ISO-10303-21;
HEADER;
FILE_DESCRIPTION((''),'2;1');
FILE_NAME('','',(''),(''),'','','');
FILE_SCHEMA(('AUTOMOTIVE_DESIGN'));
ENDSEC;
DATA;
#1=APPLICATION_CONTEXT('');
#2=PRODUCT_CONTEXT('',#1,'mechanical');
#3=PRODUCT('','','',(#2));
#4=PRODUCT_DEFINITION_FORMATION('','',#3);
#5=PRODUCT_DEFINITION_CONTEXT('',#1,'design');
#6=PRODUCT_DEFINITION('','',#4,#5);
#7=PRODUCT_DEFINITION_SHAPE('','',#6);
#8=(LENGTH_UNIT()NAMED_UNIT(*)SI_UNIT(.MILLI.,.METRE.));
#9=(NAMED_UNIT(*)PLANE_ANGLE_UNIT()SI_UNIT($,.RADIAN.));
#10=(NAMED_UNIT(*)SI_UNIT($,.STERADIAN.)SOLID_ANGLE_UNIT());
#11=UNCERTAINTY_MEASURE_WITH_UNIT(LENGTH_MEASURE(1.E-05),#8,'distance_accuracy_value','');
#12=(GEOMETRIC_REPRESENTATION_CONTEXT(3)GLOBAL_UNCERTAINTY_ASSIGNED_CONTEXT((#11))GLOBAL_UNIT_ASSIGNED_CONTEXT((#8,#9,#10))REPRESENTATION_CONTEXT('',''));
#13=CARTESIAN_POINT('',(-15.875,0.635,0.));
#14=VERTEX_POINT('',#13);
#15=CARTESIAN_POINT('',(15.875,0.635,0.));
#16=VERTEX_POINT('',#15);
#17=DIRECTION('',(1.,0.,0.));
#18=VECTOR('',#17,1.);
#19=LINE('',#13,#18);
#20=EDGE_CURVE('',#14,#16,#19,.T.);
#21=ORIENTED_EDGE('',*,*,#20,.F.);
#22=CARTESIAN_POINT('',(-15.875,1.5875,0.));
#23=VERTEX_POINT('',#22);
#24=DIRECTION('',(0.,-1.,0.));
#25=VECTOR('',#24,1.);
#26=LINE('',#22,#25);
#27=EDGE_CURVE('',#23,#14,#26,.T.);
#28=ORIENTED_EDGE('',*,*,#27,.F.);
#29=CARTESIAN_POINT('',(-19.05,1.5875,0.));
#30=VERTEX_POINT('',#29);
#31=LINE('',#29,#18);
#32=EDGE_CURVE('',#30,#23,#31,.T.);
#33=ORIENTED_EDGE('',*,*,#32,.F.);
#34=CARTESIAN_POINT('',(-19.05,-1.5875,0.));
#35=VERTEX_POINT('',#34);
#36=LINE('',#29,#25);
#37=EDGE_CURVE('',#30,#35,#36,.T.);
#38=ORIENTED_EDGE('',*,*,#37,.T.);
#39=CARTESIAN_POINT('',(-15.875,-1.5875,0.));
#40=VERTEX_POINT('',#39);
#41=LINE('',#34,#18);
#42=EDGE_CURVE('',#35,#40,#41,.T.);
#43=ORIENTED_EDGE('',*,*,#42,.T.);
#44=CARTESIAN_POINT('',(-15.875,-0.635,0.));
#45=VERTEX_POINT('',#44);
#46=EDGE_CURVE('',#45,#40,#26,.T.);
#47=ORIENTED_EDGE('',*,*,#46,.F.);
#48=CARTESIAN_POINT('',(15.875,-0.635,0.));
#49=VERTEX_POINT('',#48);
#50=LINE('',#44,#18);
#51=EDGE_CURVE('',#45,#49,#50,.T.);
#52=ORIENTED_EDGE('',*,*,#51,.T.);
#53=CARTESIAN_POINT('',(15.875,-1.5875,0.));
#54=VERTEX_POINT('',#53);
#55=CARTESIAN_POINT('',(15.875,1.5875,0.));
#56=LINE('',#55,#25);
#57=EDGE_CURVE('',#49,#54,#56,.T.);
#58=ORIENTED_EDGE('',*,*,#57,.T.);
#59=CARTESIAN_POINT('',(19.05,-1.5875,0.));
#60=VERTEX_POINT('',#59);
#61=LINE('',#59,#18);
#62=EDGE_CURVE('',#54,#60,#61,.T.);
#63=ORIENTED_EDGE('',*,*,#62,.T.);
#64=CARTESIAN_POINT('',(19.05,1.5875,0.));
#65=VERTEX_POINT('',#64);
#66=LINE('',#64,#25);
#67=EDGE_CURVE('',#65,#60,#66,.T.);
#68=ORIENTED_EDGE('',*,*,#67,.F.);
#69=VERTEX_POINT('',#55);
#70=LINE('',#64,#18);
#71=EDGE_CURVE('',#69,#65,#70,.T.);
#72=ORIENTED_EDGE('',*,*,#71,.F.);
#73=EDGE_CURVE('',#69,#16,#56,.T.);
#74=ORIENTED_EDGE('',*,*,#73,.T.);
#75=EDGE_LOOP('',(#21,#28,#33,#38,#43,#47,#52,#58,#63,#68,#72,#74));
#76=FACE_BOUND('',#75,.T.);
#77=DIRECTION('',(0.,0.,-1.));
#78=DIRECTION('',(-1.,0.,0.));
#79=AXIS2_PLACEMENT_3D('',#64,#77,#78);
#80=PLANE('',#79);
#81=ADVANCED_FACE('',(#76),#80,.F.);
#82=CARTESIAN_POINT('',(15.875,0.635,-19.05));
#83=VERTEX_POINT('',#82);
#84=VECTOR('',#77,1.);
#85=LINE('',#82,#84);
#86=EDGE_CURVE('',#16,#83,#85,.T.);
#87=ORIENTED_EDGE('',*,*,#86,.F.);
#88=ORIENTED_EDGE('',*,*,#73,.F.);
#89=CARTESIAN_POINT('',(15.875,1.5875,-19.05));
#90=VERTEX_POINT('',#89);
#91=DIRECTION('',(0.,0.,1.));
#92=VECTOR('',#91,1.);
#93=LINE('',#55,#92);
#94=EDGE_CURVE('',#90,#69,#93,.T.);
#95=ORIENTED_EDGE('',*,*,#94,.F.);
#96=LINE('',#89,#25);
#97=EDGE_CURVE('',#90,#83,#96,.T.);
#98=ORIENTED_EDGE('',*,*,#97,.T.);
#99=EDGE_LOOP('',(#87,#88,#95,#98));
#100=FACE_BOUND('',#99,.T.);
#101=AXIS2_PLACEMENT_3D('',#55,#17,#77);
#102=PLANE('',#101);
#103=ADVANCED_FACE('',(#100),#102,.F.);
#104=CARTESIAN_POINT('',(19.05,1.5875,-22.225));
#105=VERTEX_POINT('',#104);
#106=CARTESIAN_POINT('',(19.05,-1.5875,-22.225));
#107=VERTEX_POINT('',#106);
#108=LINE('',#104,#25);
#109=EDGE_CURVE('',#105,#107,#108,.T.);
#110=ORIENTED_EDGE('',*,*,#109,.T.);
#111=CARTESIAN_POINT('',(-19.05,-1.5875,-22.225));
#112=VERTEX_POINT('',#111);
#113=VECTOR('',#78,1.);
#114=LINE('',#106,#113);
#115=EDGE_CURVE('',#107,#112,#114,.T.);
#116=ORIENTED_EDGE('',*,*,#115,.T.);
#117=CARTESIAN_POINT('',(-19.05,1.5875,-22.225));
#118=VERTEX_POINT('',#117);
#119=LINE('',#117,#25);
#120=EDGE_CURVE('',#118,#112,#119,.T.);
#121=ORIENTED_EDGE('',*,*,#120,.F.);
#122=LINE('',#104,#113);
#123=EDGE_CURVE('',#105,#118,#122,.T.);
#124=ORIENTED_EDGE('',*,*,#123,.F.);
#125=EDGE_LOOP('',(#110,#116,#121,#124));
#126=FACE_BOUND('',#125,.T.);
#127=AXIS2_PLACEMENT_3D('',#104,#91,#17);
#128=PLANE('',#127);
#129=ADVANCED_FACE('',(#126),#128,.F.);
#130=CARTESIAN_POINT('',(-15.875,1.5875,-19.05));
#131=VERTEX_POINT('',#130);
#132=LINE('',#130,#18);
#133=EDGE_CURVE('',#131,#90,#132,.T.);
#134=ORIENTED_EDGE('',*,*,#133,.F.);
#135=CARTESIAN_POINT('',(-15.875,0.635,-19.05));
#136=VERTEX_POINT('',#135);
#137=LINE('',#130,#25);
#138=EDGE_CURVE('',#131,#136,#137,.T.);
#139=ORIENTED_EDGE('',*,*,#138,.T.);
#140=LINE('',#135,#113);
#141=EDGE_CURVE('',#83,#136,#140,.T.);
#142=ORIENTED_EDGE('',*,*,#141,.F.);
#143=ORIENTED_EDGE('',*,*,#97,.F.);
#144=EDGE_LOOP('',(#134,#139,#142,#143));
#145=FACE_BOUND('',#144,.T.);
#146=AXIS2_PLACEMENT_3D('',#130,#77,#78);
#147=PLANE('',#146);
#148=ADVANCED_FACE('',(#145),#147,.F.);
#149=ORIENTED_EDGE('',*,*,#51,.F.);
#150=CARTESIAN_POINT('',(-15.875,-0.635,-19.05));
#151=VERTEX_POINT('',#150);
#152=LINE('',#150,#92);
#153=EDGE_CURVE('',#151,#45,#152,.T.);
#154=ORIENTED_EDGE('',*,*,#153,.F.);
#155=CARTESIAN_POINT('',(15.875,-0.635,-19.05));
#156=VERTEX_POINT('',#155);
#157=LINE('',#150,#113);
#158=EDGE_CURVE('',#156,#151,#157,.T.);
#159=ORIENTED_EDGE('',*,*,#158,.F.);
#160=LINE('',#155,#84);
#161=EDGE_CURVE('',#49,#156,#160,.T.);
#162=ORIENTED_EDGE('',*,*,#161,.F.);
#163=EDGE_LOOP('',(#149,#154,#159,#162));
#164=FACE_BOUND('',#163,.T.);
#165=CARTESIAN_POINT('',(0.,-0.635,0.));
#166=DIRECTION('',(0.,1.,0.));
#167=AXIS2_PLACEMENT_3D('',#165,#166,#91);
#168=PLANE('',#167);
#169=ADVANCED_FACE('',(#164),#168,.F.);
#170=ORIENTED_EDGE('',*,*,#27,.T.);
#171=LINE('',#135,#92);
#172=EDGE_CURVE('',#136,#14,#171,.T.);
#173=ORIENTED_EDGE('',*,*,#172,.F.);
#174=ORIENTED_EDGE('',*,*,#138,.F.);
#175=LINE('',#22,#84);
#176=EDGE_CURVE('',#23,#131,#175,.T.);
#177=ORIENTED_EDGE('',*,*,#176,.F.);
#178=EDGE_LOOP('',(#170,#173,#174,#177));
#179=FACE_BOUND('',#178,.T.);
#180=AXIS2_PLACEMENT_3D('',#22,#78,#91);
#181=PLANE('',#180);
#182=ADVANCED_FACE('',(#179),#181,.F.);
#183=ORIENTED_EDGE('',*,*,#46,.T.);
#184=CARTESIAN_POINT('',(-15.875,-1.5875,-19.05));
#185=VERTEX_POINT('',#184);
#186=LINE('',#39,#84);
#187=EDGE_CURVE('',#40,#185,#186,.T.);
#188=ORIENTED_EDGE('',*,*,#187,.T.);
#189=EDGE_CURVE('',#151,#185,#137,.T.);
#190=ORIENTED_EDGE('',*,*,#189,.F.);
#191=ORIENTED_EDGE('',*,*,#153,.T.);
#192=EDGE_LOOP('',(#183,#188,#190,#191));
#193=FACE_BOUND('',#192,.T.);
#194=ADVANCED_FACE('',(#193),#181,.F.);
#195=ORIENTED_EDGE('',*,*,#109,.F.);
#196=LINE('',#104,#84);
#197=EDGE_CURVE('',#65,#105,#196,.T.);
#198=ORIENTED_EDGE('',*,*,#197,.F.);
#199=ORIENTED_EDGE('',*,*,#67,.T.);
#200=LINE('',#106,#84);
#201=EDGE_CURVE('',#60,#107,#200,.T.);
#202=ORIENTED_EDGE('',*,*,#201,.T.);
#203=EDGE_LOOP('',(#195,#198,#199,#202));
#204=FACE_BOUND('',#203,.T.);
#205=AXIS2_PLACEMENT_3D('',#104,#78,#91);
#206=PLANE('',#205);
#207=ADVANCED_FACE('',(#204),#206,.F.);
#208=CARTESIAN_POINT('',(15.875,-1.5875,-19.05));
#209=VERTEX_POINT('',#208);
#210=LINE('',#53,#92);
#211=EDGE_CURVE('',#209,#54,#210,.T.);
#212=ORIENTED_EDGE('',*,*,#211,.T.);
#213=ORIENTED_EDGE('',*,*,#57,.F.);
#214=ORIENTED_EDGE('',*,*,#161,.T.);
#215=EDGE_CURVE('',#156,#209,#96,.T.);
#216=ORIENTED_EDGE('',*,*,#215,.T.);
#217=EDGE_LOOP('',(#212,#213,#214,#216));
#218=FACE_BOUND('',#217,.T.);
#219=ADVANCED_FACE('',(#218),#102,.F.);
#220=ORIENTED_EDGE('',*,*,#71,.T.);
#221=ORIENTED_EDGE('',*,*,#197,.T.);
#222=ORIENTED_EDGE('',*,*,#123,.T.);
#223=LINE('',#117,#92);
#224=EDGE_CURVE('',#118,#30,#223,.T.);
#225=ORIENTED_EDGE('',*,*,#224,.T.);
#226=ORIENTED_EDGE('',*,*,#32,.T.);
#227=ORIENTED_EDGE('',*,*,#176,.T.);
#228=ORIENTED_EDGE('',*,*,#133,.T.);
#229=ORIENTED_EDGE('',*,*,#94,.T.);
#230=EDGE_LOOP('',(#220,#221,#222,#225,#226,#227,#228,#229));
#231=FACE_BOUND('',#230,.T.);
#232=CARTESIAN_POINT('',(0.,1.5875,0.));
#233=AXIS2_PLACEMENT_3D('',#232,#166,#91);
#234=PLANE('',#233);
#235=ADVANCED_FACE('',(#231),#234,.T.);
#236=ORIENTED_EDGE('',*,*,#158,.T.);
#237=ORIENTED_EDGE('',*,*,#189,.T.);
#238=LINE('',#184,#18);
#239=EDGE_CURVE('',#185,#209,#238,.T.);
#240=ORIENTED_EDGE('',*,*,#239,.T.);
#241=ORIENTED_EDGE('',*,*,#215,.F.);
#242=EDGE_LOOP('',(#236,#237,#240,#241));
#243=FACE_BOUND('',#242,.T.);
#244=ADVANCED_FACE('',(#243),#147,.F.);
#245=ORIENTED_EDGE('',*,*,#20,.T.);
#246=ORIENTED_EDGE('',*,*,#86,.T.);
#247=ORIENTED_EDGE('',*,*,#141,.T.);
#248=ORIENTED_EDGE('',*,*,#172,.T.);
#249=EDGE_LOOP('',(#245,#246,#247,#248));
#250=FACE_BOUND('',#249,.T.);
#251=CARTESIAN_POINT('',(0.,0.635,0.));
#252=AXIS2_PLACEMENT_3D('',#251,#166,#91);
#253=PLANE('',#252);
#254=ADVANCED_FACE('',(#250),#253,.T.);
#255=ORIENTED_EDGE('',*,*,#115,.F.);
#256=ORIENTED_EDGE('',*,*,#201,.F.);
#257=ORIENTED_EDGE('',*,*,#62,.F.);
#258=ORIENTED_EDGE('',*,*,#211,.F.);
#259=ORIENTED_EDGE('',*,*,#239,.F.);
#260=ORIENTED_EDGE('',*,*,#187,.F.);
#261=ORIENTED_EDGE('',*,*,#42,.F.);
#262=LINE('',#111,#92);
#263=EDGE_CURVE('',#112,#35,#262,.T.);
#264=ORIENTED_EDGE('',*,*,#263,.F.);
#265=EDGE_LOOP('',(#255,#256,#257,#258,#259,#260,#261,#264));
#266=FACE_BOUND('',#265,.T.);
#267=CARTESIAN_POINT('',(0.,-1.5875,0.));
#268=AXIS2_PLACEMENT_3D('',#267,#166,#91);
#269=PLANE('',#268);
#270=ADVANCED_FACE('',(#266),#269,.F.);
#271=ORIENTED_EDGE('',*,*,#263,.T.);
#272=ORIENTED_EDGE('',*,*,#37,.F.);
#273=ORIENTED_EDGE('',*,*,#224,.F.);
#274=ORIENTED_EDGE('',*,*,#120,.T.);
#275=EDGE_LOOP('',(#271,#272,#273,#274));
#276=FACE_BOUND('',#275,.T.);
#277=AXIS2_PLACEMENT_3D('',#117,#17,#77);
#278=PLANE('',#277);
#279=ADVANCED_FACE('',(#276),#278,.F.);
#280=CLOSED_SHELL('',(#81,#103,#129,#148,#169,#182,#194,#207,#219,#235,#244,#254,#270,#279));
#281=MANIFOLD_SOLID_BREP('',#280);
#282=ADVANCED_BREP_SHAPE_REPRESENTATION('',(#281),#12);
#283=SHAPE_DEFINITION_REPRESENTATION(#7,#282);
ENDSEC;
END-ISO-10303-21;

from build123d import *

# Parameters (mm, degrees)
BOSS_EXTRUDE1_DEPTH = 1.5875
SKETCH2_W           = 31.75
SKETCH2_H           = 19.05
BOSS_EXTRUDE2_DEPTH = 0.635


with BuildPart() as part:
    # Sketch1 → Boss-Extrude1 (new, symmetric)
    with BuildSketch(Plane(origin=(0, 0, 0), x_dir=(1, 0, 0), z_dir=(0, 1, 0))):
        Polygon((-19.05, 0), (-15.875, 0), (-15.875, 19.05), (15.875, 19.05), (15.875, 0), (19.05, 0), (19.05, 22.225), (-19.05, 22.225), align=None)
    extrude(amount=BOSS_EXTRUDE1_DEPTH, both=True)

    # Sketch2 → Boss-Extrude2 (add, symmetric)
    with BuildSketch(Plane(origin=(0, 0, 0), x_dir=(1, 0, 0), z_dir=(0, 1, 0))):
        with Locations((0, 9.525)):
            Rectangle(SKETCH2_W, SKETCH2_H)
    extrude(amount=BOSS_EXTRUDE2_DEPTH, both=True)


solid = part.part
